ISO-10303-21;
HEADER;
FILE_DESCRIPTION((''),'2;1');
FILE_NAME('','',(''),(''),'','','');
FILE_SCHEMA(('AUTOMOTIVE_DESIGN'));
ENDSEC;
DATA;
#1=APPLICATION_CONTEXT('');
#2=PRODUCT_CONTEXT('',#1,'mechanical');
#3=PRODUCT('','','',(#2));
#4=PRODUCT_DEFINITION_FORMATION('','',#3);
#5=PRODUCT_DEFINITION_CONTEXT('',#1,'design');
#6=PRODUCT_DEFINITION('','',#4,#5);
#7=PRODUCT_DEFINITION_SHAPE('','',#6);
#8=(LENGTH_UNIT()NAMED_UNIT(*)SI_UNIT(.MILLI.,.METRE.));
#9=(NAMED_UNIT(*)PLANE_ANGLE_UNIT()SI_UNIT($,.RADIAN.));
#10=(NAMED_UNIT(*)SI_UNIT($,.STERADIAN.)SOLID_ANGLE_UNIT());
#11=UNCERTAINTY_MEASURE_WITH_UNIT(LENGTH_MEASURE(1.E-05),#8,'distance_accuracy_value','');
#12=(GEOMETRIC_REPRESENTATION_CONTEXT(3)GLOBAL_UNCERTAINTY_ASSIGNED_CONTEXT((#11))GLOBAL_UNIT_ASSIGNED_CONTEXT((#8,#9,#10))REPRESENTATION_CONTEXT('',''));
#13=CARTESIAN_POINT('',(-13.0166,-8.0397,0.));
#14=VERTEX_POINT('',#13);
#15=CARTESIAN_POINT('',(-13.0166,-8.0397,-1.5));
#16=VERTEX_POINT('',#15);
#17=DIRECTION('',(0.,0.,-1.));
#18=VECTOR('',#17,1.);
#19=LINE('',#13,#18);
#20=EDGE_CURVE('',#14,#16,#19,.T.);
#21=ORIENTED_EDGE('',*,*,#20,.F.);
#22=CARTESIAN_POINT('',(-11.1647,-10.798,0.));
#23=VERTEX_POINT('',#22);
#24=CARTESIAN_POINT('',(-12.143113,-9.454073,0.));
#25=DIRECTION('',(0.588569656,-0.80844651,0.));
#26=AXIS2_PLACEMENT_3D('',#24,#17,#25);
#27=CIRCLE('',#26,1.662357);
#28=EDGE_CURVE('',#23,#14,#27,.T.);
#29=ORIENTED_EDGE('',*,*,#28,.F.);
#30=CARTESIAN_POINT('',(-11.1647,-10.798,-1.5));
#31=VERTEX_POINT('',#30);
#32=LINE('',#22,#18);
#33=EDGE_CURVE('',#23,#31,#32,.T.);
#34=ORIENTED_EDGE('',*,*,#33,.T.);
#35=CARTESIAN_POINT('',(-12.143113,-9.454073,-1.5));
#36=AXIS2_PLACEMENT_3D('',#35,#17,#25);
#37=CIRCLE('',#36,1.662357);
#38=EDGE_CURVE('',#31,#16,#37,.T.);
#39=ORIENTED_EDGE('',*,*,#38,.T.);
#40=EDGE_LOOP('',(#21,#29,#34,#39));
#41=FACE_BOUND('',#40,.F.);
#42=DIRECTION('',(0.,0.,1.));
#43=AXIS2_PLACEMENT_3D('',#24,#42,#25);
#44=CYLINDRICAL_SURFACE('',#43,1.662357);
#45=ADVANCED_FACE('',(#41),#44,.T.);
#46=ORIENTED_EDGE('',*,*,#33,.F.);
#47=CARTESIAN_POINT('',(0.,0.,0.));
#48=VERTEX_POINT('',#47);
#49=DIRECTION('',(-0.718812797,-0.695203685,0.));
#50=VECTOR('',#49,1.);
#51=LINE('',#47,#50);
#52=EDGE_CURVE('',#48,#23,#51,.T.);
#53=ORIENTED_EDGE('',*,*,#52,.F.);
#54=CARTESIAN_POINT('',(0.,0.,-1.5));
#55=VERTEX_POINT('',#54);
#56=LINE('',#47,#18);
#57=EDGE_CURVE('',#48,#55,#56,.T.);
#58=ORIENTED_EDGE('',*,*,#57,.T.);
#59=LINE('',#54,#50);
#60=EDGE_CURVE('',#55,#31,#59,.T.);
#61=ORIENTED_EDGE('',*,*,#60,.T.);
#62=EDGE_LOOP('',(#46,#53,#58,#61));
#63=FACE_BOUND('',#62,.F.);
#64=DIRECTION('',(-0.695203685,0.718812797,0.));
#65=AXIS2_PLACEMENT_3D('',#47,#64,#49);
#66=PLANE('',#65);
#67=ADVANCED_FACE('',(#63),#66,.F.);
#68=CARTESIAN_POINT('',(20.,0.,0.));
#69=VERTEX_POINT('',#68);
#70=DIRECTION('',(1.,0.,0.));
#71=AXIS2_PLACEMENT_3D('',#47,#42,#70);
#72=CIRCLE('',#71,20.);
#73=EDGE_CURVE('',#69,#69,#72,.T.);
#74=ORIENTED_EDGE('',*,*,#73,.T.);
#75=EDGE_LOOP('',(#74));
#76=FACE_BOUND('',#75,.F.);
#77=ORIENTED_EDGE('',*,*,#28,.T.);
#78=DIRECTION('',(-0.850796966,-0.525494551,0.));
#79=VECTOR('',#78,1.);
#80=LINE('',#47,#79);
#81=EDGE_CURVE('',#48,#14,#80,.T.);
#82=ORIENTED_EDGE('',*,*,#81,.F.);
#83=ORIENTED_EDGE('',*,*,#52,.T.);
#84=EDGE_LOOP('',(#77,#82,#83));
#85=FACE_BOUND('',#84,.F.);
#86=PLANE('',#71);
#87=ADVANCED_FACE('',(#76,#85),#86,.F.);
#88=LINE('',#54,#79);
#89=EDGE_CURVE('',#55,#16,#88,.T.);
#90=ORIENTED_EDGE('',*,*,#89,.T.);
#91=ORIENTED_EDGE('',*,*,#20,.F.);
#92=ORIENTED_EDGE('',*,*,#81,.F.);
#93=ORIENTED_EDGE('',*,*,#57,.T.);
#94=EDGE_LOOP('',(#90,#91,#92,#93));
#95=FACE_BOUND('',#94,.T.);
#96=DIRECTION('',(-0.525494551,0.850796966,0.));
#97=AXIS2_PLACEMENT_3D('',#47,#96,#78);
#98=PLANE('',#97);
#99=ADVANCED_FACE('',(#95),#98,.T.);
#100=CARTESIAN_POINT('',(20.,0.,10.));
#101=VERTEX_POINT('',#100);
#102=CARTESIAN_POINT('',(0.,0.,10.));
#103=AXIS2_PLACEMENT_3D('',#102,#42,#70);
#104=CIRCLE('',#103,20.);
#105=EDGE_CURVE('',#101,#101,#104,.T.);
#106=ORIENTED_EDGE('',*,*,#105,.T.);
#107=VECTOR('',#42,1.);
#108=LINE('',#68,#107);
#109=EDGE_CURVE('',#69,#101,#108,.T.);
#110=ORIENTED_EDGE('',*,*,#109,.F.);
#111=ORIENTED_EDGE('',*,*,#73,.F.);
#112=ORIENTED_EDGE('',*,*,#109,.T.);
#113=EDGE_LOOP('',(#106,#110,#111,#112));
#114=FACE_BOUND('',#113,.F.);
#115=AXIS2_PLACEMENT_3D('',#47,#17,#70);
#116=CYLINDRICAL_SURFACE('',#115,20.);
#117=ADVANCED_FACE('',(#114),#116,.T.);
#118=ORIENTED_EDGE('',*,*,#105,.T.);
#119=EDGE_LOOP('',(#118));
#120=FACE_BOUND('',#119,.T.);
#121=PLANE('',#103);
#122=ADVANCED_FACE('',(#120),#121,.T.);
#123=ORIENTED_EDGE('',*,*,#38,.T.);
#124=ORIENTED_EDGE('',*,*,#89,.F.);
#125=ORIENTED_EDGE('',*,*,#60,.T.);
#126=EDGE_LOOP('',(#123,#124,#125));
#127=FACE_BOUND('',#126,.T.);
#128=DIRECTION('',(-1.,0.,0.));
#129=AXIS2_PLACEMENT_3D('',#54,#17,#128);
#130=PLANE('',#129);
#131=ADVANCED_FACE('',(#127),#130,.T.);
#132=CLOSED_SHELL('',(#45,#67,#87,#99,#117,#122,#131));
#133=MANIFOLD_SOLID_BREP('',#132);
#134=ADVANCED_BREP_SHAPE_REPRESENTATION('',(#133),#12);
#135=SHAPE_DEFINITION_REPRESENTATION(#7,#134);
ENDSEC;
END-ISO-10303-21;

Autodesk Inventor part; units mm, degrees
ref_plane "YZ Plane" through (0, 0, 0) normal (1, 0, 0) x (0, 1, 0)
ref_plane "XZ Plane" through (0, 0, 0) normal (0, 1, 0) x (-1, 0, 0)
ref_plane "XY Plane" through (0, 0, 0) normal (0, 0, 1) x (1, 0, 0)
sketch "Sketch1" plane through (0, 0, 0) normal (0, 0, 1) x (1, 0, 0)
  circle A0 centre (0, 0) radius 20
  dimension "d0" = 40
extrude "Extrusion1" add sketch "Sketch1" along normal blind 10
sketch "Sketch2" plane through (0, 0, 0) normal (0, 0, -1) x (-1, 0, 0)
  circle A0 centre (0, 0) radius 20 projected
  line L0 (0, 0) -> (13.0166, -8.0397)
  line L1 (0, 0) -> (11.1647, -10.798)
  arc A1 (11.1647, -10.798) -> (13.0166, -8.0397) centre (12.1431, -9.454) ccw
extrude "Extrusion2" add sketch "Sketch2" along normal blind 1.5 contours L0 A1 L1
properties part number "hotbuton"
